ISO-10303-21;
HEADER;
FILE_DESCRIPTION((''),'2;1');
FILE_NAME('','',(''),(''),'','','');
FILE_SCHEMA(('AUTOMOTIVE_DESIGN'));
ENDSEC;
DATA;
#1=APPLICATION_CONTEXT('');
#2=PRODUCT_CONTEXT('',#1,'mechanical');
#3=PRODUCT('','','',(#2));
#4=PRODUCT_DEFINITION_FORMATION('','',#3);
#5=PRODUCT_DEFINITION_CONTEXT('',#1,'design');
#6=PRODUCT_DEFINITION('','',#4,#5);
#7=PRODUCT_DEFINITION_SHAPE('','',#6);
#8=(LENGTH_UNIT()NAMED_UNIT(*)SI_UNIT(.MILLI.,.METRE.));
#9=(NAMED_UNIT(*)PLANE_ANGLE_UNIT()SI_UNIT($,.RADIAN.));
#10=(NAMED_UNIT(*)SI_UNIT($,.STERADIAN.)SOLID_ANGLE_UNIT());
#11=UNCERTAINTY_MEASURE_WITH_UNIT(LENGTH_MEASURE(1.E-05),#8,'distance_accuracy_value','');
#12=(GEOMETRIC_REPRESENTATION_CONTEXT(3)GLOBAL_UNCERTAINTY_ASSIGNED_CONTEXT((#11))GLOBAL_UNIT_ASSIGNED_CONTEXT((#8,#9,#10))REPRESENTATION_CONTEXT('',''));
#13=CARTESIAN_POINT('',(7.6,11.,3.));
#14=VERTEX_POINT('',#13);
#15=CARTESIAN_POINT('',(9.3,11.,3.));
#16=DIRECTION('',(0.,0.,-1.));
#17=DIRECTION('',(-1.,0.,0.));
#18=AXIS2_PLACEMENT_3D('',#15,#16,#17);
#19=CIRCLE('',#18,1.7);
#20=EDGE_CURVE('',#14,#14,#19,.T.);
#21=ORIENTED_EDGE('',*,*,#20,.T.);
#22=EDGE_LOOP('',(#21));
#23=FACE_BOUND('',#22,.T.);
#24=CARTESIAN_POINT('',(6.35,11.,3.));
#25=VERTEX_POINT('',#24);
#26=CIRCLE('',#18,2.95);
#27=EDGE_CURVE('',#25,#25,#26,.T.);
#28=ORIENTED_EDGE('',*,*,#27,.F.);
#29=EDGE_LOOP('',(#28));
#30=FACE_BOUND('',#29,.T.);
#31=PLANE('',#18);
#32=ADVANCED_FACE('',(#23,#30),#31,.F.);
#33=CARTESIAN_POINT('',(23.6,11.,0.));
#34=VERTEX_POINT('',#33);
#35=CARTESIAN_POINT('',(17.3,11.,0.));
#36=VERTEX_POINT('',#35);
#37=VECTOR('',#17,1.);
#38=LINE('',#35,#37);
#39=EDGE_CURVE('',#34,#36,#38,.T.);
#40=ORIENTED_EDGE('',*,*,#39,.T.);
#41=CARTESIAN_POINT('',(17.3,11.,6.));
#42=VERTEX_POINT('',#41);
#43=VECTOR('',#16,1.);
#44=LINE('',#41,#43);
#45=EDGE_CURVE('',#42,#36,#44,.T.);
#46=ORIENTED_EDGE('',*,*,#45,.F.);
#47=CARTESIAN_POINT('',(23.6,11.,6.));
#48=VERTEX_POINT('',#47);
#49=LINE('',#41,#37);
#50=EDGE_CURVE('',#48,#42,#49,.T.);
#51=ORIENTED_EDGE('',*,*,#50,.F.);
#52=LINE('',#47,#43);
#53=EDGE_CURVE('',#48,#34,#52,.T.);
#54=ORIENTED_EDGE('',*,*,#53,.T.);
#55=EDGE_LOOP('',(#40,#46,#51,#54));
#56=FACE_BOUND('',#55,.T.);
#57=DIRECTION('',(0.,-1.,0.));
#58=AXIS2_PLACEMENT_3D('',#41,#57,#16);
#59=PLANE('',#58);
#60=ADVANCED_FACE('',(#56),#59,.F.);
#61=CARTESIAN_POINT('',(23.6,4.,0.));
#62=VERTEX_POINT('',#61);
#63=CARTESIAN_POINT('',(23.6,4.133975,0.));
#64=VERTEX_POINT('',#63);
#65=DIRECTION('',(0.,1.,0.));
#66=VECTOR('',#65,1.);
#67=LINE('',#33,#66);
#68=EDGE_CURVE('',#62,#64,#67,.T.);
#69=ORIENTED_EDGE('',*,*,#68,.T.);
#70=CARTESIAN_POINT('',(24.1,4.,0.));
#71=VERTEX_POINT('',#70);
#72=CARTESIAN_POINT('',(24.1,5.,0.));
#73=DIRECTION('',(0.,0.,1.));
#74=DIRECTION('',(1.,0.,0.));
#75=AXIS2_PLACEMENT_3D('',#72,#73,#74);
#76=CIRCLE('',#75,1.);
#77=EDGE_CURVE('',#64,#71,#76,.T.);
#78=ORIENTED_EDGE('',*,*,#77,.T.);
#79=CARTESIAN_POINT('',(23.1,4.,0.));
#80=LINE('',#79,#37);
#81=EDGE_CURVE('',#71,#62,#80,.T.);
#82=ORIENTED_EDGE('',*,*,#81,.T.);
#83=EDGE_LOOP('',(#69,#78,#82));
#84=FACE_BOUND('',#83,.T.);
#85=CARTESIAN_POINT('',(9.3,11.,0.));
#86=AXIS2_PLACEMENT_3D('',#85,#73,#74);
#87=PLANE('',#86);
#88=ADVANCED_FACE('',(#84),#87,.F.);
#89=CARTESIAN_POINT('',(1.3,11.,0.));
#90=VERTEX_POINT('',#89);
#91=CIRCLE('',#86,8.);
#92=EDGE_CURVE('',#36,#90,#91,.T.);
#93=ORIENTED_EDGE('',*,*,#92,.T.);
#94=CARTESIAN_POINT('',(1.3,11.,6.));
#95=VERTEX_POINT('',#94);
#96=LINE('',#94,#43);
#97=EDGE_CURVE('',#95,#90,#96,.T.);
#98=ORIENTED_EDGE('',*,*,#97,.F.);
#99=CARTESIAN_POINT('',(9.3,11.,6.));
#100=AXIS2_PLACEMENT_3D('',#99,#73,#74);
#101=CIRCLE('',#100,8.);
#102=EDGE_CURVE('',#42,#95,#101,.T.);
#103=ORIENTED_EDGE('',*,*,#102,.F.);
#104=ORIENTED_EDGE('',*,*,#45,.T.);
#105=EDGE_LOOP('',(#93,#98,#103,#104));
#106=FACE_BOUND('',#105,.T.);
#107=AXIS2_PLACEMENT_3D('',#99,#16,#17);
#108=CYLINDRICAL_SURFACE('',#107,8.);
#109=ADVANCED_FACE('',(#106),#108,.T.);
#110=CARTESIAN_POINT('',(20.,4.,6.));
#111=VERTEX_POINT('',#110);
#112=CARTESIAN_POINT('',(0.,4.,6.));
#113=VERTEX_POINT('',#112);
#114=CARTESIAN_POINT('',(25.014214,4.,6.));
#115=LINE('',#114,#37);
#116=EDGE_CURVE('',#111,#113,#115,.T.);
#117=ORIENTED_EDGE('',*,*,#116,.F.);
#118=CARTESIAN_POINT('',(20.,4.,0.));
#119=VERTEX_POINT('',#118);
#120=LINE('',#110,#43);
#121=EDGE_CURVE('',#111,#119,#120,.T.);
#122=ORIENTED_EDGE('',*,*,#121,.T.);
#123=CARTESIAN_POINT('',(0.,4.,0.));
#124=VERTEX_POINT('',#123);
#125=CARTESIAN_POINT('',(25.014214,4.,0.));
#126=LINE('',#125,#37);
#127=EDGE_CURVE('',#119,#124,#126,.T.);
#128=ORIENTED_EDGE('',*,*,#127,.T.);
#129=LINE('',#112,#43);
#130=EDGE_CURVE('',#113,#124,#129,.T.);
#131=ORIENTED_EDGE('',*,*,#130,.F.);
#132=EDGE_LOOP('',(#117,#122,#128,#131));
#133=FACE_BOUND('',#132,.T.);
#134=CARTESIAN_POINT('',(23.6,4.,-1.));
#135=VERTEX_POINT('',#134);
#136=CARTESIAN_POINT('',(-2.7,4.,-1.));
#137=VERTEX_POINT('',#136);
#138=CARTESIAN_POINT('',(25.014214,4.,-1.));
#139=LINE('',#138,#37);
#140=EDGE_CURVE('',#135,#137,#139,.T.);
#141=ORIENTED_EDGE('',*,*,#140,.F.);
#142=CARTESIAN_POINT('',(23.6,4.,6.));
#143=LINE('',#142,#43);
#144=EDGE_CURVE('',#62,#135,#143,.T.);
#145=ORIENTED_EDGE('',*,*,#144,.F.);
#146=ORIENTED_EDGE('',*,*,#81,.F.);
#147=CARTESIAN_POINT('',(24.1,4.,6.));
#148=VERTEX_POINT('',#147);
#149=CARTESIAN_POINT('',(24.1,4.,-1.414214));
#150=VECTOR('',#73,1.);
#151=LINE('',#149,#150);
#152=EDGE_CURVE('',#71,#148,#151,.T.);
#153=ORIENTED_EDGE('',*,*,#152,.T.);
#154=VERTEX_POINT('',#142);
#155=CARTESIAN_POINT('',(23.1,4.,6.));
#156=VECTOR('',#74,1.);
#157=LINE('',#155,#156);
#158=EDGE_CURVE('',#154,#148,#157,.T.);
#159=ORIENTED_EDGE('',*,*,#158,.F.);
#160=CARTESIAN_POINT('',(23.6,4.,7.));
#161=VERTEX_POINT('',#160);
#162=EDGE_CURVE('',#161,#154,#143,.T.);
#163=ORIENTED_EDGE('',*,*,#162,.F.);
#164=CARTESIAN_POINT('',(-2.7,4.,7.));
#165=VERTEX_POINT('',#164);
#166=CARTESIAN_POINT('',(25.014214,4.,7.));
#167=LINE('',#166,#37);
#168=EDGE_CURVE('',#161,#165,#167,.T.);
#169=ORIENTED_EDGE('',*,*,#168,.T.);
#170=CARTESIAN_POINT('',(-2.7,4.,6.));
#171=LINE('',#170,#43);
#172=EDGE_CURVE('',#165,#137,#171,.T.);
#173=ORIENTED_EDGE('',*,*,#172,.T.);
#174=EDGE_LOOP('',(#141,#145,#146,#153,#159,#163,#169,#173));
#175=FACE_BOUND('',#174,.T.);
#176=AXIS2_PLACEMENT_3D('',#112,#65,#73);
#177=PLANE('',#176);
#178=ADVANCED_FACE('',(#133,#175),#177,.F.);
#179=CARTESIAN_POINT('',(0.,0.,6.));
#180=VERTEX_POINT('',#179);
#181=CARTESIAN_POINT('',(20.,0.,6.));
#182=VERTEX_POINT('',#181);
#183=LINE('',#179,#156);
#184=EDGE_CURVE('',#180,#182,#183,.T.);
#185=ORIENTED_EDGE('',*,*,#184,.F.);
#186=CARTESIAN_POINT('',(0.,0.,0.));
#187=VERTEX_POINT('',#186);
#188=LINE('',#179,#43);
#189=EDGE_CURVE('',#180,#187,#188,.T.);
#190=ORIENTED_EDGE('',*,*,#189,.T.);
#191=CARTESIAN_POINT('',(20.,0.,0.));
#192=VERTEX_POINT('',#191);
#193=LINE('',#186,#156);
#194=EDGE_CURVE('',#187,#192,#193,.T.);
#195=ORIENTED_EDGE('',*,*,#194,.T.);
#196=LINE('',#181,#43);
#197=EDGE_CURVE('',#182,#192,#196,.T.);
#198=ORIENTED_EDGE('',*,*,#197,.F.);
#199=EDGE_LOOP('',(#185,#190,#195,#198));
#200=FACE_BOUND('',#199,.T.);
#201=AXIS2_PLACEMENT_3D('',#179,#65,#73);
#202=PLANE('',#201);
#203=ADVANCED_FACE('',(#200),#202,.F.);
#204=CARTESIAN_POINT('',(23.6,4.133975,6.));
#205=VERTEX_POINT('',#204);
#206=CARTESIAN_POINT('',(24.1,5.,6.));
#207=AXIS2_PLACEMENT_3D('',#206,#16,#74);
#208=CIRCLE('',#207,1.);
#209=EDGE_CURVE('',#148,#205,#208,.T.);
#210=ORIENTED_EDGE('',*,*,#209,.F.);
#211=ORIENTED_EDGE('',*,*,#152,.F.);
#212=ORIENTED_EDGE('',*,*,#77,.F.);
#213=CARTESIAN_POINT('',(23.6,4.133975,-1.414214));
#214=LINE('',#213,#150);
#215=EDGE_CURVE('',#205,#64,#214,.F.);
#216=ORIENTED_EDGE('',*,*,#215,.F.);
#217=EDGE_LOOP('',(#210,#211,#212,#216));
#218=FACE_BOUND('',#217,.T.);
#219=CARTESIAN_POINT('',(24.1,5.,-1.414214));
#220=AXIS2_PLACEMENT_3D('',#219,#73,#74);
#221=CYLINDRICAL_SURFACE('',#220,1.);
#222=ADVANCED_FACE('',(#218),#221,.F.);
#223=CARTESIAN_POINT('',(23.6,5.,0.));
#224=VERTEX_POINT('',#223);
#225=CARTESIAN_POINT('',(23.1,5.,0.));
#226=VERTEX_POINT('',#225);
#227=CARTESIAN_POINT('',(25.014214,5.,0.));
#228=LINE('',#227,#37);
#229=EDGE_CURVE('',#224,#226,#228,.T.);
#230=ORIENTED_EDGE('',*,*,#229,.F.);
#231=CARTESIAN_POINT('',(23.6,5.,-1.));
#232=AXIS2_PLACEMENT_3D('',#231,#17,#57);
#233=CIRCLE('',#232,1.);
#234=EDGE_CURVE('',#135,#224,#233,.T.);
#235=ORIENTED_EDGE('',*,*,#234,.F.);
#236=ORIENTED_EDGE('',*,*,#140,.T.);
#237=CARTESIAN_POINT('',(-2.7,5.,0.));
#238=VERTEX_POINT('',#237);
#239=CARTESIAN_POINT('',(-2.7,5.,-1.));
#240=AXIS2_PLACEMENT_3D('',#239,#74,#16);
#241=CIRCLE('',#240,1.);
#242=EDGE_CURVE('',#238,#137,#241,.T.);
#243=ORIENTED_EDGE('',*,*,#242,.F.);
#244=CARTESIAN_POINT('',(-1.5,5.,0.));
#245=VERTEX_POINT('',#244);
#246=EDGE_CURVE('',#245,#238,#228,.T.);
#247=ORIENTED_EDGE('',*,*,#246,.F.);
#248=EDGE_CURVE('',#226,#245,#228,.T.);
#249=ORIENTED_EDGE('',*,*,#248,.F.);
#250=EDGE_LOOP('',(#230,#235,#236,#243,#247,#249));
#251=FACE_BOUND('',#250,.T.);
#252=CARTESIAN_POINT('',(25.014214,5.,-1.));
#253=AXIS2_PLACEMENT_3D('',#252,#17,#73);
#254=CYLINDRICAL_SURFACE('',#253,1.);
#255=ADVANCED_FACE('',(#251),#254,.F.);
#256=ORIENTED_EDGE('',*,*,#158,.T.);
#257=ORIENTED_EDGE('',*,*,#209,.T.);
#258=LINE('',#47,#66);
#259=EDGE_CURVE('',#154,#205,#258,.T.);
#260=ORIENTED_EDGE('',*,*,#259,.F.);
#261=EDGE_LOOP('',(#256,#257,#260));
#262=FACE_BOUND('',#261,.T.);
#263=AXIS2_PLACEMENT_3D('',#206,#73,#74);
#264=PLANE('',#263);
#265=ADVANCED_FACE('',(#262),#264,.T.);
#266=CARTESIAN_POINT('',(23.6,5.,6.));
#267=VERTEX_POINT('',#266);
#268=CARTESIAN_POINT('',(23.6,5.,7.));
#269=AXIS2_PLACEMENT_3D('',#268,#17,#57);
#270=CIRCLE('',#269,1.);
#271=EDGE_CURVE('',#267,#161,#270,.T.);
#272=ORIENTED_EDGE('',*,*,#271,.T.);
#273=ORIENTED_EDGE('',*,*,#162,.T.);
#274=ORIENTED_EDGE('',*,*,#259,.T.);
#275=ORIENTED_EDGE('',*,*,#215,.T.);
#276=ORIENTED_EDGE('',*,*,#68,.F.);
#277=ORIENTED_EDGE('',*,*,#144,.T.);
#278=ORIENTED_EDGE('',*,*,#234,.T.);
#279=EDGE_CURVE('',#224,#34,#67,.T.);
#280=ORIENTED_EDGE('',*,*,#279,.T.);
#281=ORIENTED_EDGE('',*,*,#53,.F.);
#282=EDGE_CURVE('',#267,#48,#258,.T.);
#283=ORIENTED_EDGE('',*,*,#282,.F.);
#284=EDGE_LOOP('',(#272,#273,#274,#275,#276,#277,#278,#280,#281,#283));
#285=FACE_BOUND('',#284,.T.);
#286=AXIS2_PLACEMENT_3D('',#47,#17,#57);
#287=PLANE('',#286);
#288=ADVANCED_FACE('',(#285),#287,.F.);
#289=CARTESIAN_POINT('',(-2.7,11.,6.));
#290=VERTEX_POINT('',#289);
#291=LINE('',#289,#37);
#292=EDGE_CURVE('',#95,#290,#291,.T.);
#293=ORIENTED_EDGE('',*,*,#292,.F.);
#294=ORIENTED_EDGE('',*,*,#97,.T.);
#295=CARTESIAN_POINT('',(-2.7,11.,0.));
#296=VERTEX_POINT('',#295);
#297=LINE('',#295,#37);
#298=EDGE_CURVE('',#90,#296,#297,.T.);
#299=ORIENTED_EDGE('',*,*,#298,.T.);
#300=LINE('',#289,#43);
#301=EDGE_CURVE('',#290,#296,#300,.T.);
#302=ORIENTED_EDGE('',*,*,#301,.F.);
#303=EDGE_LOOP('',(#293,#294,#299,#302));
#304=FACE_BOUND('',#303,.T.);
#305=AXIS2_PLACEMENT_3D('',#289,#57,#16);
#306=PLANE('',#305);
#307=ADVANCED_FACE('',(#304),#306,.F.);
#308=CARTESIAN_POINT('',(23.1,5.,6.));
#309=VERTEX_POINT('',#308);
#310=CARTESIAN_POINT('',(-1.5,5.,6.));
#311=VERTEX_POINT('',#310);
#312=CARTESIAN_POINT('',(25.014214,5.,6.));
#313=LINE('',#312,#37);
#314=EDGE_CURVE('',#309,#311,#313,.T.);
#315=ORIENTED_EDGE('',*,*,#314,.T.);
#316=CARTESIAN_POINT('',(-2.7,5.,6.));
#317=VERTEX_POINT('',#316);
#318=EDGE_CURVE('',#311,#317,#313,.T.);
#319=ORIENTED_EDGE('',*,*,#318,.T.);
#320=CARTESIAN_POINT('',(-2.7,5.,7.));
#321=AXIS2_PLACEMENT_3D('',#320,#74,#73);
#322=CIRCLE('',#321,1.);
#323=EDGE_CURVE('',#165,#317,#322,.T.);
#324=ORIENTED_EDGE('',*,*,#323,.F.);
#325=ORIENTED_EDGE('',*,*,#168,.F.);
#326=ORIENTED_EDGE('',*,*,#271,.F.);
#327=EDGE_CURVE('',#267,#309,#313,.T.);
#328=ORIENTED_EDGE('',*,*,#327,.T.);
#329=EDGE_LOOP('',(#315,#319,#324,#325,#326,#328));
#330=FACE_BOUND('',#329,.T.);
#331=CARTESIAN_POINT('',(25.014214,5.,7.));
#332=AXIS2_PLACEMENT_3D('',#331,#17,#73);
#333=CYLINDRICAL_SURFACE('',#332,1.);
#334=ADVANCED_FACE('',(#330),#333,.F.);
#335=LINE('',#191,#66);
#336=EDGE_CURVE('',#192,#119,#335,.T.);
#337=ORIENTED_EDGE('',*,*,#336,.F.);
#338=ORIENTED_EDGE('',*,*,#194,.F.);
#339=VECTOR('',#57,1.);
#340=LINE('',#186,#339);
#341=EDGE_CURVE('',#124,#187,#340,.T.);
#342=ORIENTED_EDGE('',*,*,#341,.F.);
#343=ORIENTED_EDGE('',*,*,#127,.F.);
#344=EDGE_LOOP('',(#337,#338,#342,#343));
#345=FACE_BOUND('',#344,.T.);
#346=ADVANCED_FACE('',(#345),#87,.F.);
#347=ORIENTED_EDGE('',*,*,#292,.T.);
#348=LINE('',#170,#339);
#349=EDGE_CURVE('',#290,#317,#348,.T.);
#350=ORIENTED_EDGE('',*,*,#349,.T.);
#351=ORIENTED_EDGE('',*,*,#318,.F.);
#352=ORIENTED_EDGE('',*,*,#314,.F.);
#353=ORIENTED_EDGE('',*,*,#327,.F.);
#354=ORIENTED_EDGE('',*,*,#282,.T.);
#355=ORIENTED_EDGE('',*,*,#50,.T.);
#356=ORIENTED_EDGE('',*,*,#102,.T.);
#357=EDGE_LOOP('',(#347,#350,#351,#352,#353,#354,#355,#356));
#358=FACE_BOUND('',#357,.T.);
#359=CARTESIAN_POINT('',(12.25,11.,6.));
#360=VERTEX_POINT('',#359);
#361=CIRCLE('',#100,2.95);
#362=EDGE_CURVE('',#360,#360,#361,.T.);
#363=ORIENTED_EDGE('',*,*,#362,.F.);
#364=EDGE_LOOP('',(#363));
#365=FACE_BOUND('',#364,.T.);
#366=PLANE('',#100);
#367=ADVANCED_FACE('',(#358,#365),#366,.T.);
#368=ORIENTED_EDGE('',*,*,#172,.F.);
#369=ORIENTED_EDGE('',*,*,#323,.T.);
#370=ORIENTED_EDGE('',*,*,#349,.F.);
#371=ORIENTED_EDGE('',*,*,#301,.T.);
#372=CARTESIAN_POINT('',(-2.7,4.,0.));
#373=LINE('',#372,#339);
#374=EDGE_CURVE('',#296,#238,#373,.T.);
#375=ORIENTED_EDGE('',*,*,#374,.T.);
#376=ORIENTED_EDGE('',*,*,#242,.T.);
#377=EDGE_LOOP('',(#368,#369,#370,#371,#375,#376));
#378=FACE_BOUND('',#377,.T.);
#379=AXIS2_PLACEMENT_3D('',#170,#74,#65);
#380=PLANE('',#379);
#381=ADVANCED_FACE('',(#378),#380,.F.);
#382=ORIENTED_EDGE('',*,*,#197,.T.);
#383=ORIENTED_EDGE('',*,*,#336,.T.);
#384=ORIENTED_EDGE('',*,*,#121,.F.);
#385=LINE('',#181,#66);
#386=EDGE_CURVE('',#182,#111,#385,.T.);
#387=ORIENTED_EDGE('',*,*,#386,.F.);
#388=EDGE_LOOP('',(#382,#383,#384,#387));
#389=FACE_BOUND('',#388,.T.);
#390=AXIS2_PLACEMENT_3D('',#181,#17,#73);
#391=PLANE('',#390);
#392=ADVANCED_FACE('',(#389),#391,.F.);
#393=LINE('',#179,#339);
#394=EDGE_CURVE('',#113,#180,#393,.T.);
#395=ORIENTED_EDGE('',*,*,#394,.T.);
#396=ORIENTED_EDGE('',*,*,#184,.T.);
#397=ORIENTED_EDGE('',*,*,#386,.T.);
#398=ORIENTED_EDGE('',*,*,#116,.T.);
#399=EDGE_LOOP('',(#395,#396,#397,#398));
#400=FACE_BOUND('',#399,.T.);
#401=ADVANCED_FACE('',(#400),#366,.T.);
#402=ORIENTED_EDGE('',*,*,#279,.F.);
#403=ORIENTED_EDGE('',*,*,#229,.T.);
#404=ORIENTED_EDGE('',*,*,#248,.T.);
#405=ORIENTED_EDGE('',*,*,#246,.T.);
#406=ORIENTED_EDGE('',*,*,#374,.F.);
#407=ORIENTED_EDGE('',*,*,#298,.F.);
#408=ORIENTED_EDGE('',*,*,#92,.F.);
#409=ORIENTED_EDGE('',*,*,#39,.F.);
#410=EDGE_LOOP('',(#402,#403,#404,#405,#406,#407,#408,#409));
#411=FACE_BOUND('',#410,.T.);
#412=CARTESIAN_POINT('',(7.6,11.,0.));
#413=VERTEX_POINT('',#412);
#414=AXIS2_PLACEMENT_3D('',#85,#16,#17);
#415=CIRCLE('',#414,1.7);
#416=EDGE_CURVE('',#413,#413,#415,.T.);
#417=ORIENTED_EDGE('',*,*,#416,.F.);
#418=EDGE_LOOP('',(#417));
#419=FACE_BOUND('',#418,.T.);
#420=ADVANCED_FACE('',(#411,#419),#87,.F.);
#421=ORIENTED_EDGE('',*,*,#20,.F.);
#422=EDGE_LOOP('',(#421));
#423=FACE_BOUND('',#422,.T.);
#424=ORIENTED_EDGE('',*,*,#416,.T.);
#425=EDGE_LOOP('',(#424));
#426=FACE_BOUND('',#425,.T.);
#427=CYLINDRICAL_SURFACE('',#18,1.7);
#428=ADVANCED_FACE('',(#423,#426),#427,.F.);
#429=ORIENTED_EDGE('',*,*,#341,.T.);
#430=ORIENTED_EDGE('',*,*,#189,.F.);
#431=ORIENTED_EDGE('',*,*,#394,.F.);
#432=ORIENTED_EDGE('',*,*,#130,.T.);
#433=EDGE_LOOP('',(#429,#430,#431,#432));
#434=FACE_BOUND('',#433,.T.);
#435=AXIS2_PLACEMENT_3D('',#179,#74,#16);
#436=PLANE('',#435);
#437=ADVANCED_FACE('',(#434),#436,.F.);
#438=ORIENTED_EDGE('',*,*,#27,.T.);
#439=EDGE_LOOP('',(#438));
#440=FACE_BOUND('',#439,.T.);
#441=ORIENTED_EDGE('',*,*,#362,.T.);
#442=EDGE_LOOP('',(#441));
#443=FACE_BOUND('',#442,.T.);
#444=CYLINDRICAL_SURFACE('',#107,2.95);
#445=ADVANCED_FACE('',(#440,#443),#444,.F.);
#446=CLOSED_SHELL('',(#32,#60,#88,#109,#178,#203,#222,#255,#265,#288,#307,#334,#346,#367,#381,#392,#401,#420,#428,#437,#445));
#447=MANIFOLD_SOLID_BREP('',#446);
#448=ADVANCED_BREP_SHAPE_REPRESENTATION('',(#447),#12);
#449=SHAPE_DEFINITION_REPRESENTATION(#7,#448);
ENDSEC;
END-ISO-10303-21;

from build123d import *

# Parameters (mm, degrees)
SKETCH1_R           = 2.95
BOSS_EXTRUDE1_DEPTH = 6
BOSS_EXTRUDE2_DEPTH = 26.3
BOSS_EXTRUDE3_DEPTH = 6
SKETCH5_R           = 2.95
SKETCH5_R_2         = 1.7
BOSS_EXTRUDE4_DEPTH = 3


with BuildPart() as part:
    # Sketch1 → Boss-Extrude1 (new body)
    with BuildSketch(Plane.XY):
        with BuildLine():
            Line((0, 0), (20, 0))
            Line((20, 0), (20, 4))
            Line((20, 4), (23.6, 4))
            Line((23.6, 4), (23.6, 11))
            Line((23.6, 11), (17.3, 11))
            ThreePointArc((17.3, 11), (9.3, 19), (1.3, 11))
            Line((1.3, 11), (-2.7, 11))
            Line((-2.7, 11), (-2.7, 4))
            Line((-2.7, 4), (0, 4))
            Line((0, 4), (0, 0))
        make_face()
        with Locations((9.3, 11)):
            Circle(SKETCH1_R, mode=Mode.SUBTRACT)
    extrude(amount=BOSS_EXTRUDE1_DEPTH)

    # Sketch2 → Boss-Extrude2 (add)
    with BuildSketch(Plane.ZY.offset(2.7)):
        with BuildLine():
            Line((6, 4), (6, 5))
            ThreePointArc((6, 5), (6.292893219, 4.292893219), (7, 4))
            Line((7, 4), (6, 4))
        make_face()
        with BuildLine():
            Line((0, 4), (-1, 4))
            ThreePointArc((-1, 4), (-0.292893219, 4.292893219), (0, 5))
            Line((0, 5), (0, 4))
        make_face()
    extrude(amount=-BOSS_EXTRUDE2_DEPTH)

    # Sketch4 → Boss-Extrude3 (add)
    with BuildSketch(Plane.XY.offset(6)):
        with BuildLine():
            Line((23.1, 4), (23.1, 5))
            ThreePointArc((23.1, 5), (23.392893219, 4.292893219), (24.1, 4))
            Line((24.1, 4), (23.1, 4))
        make_face()
        with BuildLine():
            Line((-1.5, 4), (-2.5, 4))
            ThreePointArc((-2.5, 4), (-1.792893219, 4.292893219), (-1.5, 5))
            Line((-1.5, 5), (-1.5, 4))
        make_face()
    extrude(amount=-BOSS_EXTRUDE3_DEPTH)

    # Sketch5 → Boss-Extrude4 (add)
    with BuildSketch(Plane(origin=(0, 0, 0), x_dir=(-1, 0, 0), z_dir=(0, 0, -1))):
        with Locations((-9.3, 11)):
            Circle(SKETCH5_R)
        with Locations((-9.3, 11)):
            Circle(SKETCH5_R_2, mode=Mode.SUBTRACT)
    extrude(amount=-BOSS_EXTRUDE4_DEPTH)


solid = part.part
